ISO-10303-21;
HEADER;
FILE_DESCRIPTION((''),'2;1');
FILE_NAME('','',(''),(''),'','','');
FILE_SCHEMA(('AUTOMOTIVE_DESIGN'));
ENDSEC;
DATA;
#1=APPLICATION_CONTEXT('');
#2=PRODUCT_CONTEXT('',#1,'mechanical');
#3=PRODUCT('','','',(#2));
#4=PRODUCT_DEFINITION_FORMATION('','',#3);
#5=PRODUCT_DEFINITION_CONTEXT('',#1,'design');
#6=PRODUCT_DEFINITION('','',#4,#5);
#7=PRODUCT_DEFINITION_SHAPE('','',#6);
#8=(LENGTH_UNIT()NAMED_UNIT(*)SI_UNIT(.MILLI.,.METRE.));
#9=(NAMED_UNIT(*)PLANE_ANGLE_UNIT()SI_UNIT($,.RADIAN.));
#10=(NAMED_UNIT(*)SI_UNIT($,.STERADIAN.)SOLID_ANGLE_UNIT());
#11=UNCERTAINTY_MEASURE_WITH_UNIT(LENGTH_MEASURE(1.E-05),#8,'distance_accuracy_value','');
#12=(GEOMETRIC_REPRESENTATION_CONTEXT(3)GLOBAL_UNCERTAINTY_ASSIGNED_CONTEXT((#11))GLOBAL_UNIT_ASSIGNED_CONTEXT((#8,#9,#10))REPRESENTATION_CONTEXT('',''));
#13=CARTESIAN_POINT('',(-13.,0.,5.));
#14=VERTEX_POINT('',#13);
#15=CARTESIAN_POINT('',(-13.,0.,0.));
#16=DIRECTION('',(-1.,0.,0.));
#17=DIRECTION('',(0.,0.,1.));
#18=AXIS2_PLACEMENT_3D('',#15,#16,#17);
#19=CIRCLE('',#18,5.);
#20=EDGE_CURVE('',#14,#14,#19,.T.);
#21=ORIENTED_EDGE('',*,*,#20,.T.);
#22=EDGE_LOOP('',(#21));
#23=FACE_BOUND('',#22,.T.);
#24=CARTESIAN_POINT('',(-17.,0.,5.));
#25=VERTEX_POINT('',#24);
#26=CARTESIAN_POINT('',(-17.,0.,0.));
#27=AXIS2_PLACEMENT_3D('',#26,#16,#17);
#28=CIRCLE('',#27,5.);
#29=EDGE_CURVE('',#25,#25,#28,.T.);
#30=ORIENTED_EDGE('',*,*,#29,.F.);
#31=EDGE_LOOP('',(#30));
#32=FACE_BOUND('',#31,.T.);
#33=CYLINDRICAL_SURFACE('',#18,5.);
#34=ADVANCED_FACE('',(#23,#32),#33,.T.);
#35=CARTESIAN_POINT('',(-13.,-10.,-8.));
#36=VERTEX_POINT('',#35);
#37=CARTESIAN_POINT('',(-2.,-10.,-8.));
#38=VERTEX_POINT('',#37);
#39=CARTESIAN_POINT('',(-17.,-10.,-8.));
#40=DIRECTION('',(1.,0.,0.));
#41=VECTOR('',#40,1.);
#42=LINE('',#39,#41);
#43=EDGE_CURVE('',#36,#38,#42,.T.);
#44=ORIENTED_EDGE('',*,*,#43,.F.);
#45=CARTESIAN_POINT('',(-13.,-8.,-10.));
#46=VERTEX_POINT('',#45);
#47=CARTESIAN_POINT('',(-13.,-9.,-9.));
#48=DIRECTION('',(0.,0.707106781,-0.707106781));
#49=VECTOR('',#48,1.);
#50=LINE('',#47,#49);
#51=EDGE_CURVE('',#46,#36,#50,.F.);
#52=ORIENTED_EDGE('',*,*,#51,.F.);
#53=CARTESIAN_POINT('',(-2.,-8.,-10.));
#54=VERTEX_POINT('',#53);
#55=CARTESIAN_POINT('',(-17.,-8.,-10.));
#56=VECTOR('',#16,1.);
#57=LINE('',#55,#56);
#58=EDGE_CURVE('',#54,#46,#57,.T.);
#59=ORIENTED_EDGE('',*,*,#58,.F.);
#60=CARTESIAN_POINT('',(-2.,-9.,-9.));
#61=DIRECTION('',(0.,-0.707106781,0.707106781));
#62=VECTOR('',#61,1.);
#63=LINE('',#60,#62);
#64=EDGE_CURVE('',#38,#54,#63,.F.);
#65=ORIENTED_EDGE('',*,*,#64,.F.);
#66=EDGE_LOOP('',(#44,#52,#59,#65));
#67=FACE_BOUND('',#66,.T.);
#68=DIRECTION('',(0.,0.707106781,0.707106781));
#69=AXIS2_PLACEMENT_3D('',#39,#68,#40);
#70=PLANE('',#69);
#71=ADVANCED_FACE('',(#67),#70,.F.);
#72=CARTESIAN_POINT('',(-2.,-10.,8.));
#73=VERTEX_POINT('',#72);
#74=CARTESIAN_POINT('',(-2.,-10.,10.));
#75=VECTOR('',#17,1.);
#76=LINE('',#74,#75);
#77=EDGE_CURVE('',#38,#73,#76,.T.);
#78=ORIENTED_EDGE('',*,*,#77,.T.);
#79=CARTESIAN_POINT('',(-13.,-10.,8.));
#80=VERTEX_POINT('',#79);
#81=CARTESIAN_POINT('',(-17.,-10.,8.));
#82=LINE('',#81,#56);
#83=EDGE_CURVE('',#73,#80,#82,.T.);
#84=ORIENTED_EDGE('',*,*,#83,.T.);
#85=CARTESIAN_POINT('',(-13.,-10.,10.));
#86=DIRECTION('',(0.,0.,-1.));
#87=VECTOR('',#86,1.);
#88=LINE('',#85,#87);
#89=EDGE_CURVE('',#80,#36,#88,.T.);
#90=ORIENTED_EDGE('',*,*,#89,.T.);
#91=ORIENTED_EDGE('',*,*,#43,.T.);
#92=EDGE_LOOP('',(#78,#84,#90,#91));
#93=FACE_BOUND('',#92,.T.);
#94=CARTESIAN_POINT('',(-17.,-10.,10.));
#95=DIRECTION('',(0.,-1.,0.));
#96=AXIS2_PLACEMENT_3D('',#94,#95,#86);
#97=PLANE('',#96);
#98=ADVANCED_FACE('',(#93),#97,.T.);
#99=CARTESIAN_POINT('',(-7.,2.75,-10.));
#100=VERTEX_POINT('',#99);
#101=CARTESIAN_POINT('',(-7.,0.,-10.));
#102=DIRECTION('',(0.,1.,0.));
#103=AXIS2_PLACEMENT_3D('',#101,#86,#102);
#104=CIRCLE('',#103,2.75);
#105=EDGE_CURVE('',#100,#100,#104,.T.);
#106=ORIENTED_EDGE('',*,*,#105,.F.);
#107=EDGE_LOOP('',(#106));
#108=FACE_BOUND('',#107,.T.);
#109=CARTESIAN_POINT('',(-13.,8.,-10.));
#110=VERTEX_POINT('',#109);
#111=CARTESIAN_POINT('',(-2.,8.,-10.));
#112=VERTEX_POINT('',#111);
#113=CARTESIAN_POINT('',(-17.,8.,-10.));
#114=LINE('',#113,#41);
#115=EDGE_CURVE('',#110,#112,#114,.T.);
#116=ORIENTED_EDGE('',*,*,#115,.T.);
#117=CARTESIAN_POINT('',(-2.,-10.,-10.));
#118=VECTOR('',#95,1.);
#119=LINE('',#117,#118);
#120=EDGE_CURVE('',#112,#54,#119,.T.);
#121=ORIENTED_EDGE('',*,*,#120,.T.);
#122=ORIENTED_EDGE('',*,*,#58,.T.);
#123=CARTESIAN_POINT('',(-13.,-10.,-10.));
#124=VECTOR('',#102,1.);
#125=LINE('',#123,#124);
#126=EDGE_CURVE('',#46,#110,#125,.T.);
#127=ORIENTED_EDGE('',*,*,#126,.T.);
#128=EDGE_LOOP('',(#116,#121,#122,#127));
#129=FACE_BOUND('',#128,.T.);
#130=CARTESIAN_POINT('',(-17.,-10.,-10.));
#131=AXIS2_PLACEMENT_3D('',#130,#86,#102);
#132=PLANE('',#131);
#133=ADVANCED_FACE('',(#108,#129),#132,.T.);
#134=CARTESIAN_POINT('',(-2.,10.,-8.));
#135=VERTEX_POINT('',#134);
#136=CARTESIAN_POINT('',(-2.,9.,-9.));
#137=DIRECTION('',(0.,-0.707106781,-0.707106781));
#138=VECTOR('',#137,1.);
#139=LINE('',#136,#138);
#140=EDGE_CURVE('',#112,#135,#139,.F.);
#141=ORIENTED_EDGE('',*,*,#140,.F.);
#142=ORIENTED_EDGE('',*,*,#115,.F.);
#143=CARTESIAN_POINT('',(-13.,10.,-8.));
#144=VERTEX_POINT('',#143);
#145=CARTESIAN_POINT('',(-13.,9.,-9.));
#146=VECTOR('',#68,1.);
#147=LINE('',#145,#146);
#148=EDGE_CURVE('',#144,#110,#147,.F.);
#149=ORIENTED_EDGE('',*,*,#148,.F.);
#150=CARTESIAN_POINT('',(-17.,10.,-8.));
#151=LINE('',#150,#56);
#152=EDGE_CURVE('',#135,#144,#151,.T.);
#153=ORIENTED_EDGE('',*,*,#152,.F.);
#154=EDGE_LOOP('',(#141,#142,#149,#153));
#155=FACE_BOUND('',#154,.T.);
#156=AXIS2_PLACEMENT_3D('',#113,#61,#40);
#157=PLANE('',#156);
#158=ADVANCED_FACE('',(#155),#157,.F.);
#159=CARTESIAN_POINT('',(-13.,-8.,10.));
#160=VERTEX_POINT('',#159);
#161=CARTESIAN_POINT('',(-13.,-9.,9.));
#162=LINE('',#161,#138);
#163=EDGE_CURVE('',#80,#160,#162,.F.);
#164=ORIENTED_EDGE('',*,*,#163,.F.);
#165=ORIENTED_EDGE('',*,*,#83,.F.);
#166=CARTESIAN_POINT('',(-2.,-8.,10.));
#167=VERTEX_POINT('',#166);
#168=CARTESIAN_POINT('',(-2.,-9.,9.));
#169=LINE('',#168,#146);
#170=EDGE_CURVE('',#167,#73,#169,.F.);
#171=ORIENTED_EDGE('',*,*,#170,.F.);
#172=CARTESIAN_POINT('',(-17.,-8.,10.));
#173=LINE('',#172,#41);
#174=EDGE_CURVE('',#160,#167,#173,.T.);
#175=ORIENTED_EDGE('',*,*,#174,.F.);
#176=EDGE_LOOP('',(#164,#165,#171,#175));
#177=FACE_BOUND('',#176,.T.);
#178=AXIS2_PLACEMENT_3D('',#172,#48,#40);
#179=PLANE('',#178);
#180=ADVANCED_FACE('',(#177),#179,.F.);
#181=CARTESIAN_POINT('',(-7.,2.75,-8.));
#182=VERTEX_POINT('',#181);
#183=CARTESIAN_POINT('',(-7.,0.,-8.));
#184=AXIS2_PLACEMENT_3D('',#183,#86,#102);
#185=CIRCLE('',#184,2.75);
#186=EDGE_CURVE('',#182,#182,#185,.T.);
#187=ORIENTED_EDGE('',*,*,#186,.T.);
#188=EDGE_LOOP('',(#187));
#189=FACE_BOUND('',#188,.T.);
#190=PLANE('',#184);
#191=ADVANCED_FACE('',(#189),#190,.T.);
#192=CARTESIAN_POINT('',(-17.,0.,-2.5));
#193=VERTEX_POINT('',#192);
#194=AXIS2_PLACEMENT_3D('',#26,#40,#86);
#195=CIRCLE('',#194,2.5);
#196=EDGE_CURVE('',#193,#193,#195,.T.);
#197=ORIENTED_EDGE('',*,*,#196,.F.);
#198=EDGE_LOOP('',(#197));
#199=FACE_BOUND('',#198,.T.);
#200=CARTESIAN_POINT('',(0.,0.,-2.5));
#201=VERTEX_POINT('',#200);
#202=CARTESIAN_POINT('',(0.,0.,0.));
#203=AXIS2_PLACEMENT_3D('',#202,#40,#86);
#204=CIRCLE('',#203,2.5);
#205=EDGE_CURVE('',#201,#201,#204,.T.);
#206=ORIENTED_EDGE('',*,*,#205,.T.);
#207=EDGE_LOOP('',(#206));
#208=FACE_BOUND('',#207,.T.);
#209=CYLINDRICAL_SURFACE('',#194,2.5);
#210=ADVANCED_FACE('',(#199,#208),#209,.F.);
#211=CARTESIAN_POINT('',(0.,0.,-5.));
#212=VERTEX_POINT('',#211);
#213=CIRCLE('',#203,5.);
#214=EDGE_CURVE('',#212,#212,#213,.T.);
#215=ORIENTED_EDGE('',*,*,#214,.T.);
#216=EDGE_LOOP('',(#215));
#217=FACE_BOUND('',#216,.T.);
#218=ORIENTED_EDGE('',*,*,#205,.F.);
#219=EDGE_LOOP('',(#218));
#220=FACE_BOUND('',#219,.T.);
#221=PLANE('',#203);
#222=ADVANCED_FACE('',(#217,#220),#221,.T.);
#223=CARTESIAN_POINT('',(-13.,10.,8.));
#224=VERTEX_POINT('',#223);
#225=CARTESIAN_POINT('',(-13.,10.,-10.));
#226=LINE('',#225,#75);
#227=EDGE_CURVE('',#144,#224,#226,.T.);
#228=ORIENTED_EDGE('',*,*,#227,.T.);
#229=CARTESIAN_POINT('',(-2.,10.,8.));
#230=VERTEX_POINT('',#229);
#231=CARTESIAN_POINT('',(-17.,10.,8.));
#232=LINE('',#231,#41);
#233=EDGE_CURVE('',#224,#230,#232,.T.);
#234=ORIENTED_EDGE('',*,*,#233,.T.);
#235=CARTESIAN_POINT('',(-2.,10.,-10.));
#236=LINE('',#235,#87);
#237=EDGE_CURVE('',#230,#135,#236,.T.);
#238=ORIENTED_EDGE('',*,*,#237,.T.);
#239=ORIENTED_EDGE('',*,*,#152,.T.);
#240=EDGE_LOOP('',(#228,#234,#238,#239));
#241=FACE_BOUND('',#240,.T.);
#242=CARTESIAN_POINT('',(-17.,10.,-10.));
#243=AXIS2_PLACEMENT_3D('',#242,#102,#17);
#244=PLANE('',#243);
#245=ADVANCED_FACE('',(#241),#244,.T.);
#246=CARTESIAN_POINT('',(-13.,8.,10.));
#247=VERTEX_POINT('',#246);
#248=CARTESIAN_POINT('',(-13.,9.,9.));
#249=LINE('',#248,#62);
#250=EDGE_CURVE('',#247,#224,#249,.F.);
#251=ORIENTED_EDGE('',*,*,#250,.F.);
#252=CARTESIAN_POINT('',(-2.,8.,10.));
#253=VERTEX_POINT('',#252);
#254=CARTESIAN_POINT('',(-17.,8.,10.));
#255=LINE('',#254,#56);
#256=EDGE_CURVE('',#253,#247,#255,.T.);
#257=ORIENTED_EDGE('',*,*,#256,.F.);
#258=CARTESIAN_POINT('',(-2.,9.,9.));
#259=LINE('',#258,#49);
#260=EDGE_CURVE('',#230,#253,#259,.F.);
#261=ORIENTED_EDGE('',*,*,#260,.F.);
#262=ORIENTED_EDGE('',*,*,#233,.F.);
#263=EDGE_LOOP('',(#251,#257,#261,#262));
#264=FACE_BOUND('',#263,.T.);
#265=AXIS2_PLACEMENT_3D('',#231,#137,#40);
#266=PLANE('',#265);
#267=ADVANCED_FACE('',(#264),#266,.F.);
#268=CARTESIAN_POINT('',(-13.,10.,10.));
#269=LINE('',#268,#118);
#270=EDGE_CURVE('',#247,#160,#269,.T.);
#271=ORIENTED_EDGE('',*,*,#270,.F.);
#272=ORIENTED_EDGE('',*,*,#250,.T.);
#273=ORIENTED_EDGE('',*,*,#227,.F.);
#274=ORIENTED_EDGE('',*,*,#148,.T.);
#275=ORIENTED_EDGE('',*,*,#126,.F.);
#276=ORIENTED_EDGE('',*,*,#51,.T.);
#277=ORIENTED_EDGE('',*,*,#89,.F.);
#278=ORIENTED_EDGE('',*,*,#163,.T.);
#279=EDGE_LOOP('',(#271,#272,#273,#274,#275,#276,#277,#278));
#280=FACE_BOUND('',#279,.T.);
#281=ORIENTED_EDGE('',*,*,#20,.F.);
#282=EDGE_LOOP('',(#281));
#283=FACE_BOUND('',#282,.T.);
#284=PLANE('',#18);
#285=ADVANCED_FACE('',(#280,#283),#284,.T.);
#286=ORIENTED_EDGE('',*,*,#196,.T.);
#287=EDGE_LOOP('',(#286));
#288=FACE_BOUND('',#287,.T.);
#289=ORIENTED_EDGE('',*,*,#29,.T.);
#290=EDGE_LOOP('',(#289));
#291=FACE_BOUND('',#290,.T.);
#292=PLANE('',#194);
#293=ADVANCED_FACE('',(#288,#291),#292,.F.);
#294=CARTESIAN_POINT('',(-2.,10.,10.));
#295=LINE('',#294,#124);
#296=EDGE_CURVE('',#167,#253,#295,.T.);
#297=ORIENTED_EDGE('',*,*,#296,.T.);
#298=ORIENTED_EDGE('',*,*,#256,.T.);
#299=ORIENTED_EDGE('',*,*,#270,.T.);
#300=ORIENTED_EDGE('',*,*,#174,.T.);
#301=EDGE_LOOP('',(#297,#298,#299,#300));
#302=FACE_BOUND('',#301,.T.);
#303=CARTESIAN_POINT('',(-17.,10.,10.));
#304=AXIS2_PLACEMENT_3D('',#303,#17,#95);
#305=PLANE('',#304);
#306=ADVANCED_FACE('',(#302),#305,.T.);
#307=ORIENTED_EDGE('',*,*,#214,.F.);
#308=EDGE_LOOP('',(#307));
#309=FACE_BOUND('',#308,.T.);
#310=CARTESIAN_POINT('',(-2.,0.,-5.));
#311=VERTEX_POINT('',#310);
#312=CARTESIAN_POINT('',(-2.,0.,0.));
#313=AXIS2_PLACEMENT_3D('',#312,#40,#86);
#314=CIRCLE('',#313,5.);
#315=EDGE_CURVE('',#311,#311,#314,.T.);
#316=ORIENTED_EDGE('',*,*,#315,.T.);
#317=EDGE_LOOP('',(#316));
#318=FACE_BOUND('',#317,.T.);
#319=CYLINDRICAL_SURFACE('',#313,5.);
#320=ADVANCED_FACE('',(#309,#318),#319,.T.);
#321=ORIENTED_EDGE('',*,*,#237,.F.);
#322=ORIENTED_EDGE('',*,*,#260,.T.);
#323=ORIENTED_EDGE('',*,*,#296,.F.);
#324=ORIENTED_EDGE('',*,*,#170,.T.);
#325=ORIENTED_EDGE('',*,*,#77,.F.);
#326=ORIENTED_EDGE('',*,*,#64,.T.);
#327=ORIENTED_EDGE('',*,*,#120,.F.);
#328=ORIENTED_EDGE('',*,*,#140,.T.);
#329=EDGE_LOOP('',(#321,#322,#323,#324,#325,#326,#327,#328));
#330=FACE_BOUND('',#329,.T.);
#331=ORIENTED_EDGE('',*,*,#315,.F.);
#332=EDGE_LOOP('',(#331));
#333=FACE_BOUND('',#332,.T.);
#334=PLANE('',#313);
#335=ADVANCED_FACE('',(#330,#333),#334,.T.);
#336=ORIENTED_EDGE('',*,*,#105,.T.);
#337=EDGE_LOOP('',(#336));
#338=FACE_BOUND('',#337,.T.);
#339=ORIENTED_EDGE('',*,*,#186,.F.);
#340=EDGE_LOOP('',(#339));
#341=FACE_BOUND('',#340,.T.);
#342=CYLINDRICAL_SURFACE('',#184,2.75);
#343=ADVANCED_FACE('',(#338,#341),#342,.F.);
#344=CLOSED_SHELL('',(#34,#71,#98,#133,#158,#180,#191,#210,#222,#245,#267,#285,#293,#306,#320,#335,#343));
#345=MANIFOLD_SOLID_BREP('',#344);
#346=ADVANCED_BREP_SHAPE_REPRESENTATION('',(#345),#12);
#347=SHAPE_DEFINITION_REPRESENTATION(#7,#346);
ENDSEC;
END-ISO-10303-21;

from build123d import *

# Parameters (mm, degrees)
SKETCH1_W           = 20
SKETCH1_H           = 20
BOSS_EXTRUDE1_DEPTH = 17
SKETCH2_R           = 15.353568197
SKETCH2_R_2         = 5
CUT_EXTRUDE1_DEPTH  = 2
CUT_EXTRUDE2_START  = -4
SKETCH3_R           = 15.635411304
SKETCH3_R_2         = 5
CUT_EXTRUDE2_DEPTH  = 4
SKETCH4_R           = 2.5
CUT_EXTRUDE3_DEPTH  = 23.113344387
CHAMFER1_SIZE       = 2
SKETCH5_R           = 2.75
CUT_EXTRUDE4_DEPTH  = 2


with BuildPart() as part:
    # Sketch1 → Boss-Extrude1 (new body)
    with BuildSketch(Plane(origin=(0, 0, 0), x_dir=(0, 0, -1), z_dir=(1, 0, 0))):
        Rectangle(SKETCH1_W, SKETCH1_H)
    extrude(amount=-BOSS_EXTRUDE1_DEPTH)

    # Sketch2 → Cut-Extrude1 (cut)
    with BuildSketch(Plane(origin=(0, 0, 0), x_dir=(0, 0, -1), z_dir=(1, 0, 0))):
        Circle(SKETCH2_R)
        Circle(SKETCH2_R_2, mode=Mode.SUBTRACT)
    extrude(amount=-CUT_EXTRUDE1_DEPTH, mode=Mode.SUBTRACT)

    # Sketch3 → Cut-Extrude2 (cut)
    with BuildSketch(Plane.ZY.offset(17).offset(CUT_EXTRUDE2_START)):
        Circle(SKETCH3_R)
        with Locations(Location((0, 0, 0), (0, 0, 180))):
            Circle(SKETCH3_R_2, mode=Mode.SUBTRACT)
    extrude(amount=CUT_EXTRUDE2_DEPTH, mode=Mode.SUBTRACT)

    # Sketch4 → Cut-Extrude3 (cut, through all)
    with BuildSketch(Plane(origin=(0, 0, 0), x_dir=(0, 0, -1), z_dir=(1, 0, 0))):
        Circle(SKETCH4_R)
    extrude(amount=-CUT_EXTRUDE3_DEPTH, mode=Mode.SUBTRACT)

    # Chamfer1
    chamfer1_edges = [part.edges().sort_by_distance(p)[0] for p in [
        (-7.5, -10, -10),
        (-7.5, -10, 10),
        (-7.5, 10, -10),
        (-7.5, 10, 10),
    ]]
    chamfer(chamfer1_edges, length=CHAMFER1_SIZE)

    # Sketch5 → Cut-Extrude4 (cut)
    with BuildSketch(Plane(origin=(0, 0, -10), x_dir=(-1, 0, 0), z_dir=(0, 0, -1))):
        with Locations(Location((7, 0, 0), (0, 0, 90))):
            Circle(SKETCH5_R)
    extrude(amount=-CUT_EXTRUDE4_DEPTH, mode=Mode.SUBTRACT)


solid = part.part
